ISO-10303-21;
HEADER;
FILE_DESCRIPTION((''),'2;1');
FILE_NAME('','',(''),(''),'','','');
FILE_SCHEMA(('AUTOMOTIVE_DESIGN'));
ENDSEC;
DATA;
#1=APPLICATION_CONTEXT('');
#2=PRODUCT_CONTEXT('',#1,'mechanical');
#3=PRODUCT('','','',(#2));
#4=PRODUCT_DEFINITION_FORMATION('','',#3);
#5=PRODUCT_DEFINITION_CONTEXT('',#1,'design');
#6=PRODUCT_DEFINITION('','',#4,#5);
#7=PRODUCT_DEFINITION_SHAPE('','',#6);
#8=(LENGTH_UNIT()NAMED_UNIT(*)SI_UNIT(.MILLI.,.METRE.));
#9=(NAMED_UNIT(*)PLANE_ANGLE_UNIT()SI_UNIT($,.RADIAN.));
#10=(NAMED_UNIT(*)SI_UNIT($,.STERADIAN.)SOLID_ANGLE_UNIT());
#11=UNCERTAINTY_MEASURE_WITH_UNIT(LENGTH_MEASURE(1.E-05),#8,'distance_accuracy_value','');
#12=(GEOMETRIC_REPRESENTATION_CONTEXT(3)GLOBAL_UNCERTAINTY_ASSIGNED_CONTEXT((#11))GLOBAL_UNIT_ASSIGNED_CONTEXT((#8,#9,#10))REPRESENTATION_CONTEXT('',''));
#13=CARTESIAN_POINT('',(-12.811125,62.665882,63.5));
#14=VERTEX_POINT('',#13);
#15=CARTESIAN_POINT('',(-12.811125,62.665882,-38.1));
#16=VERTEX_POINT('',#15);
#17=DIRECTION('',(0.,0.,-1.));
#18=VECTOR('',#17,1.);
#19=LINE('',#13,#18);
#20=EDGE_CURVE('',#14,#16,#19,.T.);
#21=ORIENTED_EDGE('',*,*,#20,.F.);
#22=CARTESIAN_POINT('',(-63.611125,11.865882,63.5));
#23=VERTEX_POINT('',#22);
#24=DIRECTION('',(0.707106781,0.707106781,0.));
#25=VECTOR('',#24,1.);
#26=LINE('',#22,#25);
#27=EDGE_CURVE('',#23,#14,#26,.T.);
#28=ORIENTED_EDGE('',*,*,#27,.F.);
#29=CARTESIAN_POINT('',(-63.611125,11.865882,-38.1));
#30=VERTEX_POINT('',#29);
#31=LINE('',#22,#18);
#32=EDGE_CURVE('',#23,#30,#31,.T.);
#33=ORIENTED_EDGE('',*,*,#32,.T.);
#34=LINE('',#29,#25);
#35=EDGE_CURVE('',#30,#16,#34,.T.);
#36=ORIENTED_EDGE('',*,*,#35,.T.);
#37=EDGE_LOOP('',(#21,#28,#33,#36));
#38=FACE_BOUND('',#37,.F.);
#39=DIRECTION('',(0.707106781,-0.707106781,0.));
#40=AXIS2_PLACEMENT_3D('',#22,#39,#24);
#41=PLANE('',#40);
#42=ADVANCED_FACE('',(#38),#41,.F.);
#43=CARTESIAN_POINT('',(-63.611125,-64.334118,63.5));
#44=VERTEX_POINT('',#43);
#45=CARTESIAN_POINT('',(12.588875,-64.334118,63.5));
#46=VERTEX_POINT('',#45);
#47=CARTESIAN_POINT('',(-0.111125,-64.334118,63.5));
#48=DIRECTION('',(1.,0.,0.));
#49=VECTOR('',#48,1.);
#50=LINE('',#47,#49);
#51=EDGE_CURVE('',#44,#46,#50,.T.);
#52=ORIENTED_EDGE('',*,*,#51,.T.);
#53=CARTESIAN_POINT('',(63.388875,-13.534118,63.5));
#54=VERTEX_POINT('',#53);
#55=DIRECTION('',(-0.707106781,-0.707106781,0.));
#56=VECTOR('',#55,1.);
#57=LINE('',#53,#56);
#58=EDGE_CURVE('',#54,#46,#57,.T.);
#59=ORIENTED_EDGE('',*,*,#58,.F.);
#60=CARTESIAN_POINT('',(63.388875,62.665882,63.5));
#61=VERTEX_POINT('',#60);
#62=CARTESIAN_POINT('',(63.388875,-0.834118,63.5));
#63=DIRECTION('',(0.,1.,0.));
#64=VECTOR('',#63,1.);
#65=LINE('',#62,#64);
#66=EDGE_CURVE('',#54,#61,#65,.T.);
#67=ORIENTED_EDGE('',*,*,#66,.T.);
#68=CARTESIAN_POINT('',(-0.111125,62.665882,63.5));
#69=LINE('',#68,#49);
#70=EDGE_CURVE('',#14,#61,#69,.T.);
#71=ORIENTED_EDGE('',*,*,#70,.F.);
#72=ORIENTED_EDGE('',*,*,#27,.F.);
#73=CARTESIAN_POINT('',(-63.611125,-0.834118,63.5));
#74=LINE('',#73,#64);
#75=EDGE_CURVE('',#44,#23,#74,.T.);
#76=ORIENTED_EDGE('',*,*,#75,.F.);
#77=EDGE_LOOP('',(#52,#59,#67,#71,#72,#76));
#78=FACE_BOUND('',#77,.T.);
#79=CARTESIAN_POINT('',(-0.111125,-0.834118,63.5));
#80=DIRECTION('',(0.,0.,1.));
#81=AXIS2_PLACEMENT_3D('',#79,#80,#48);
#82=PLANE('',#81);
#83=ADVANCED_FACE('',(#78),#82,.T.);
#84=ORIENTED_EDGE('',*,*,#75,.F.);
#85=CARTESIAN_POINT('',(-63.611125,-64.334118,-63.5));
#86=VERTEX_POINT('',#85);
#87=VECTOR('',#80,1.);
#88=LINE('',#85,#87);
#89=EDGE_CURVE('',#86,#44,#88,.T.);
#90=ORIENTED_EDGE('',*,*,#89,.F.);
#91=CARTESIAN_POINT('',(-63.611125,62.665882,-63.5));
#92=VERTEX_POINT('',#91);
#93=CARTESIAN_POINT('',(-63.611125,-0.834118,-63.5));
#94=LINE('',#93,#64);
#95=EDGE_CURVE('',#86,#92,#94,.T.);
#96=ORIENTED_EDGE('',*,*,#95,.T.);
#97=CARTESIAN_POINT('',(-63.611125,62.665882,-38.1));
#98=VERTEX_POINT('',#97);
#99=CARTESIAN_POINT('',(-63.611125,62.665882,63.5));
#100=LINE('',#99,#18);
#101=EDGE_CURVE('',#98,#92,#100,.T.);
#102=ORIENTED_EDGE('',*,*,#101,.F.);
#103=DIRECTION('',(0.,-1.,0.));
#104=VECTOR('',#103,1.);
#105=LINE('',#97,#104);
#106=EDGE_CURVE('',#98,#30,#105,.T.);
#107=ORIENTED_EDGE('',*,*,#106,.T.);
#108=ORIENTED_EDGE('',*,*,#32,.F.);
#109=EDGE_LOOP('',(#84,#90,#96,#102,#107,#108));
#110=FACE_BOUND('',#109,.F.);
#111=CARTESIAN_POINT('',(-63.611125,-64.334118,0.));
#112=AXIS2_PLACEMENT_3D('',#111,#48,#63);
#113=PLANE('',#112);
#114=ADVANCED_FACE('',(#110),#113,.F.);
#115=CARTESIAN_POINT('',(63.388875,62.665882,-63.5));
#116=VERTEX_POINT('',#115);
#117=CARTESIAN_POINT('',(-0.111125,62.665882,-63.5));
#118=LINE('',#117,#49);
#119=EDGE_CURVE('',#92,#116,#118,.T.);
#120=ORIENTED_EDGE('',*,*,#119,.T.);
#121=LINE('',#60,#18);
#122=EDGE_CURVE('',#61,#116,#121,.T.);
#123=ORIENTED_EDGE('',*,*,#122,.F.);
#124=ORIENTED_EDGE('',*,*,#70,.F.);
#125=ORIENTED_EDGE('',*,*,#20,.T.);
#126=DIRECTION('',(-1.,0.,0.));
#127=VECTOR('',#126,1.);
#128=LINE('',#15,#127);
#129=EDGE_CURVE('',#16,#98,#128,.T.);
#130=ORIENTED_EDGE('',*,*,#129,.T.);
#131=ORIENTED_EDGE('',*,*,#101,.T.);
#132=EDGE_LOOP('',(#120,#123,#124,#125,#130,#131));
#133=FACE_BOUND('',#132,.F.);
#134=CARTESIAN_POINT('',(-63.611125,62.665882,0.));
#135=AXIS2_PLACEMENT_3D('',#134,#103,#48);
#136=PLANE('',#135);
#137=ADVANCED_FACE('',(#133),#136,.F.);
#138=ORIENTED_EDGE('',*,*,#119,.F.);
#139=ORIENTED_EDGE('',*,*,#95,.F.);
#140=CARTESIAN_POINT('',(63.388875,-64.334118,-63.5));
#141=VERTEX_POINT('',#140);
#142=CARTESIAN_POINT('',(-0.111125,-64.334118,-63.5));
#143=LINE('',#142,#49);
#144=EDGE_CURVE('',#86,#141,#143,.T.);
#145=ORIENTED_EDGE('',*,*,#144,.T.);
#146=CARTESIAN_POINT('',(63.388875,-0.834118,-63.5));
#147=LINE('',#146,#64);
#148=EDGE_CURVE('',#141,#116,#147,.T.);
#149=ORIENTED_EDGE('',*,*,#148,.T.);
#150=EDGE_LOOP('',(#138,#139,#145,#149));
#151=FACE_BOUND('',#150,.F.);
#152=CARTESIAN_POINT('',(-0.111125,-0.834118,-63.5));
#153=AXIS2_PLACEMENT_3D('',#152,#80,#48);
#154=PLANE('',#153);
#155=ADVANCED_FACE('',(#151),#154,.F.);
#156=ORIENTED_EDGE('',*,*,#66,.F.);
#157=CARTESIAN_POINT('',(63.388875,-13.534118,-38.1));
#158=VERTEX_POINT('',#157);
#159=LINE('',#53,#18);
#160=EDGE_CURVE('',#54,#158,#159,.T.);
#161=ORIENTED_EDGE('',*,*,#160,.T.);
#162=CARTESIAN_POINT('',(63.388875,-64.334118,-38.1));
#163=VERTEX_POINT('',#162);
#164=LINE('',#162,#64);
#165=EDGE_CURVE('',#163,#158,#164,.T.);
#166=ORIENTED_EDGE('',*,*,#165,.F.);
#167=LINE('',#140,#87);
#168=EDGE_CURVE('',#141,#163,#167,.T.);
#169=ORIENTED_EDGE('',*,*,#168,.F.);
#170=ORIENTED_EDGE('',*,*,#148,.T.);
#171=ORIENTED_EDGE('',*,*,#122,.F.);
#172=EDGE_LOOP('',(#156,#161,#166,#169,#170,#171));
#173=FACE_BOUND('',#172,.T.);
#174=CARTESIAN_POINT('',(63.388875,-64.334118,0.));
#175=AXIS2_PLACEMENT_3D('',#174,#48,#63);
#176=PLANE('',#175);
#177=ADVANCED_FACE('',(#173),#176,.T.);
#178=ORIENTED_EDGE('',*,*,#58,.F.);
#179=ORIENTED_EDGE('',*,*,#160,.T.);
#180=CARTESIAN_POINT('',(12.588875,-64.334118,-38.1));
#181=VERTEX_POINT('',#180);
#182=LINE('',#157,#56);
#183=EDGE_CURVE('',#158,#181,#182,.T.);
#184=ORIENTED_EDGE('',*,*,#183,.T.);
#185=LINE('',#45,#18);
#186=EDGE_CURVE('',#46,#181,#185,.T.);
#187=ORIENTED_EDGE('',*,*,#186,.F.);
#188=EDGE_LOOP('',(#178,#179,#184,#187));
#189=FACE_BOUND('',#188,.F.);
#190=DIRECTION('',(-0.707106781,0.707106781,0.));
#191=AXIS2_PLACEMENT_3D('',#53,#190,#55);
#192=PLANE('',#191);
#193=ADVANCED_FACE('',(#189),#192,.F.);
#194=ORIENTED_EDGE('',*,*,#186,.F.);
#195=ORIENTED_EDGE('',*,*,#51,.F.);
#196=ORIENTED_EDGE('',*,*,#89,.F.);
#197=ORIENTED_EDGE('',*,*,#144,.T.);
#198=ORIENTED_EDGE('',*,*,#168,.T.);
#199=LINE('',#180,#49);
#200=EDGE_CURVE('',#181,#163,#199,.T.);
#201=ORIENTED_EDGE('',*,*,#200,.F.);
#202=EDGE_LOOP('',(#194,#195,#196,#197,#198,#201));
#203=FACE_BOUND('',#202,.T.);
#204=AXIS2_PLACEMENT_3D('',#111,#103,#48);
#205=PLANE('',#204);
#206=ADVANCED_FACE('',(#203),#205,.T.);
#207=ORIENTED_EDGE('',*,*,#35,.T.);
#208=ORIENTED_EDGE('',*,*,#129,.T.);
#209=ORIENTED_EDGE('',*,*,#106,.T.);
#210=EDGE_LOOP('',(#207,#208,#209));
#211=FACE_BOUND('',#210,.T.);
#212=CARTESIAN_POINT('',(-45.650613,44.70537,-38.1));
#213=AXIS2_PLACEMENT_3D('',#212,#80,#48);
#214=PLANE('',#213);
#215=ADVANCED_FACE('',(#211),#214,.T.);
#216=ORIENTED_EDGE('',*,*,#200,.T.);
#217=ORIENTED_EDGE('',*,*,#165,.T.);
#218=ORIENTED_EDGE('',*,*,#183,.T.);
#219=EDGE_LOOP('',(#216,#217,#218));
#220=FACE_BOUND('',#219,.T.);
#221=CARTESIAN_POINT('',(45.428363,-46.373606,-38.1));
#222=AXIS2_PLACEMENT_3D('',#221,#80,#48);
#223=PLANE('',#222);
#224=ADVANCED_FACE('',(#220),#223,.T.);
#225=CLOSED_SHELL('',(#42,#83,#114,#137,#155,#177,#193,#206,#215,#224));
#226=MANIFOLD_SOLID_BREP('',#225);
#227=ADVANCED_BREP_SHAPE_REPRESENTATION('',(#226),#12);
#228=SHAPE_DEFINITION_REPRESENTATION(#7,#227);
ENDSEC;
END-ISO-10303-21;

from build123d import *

# Parameters (mm, degrees)
F0_W     = 127
F0_H     = 127
F1_DEPTH = 63.5
F3_DEPTH = 101.6


with BuildPart() as f1:
    # F0 (on Top) → F1 (new body, symmetric)
    with BuildSketch(Plane.XY):
        with Locations((-0.111125, -0.834118)):
            Rectangle(F0_W, F0_H)
    extrude(amount=F1_DEPTH, both=True)

    # F2 (on face) → F3 (cut)
    with BuildSketch(Plane.XY.offset(63.5)):
        Polygon((63.388875, -64.334118), (63.388875, -13.534118), (12.588875, -64.334118), align=None)
        Polygon((-12.811125, 62.665882), (-63.611125, 62.665882), (-63.611125, 11.865882), align=None)
    extrude(amount=-F3_DEPTH, mode=Mode.SUBTRACT)


solid = f1.part
